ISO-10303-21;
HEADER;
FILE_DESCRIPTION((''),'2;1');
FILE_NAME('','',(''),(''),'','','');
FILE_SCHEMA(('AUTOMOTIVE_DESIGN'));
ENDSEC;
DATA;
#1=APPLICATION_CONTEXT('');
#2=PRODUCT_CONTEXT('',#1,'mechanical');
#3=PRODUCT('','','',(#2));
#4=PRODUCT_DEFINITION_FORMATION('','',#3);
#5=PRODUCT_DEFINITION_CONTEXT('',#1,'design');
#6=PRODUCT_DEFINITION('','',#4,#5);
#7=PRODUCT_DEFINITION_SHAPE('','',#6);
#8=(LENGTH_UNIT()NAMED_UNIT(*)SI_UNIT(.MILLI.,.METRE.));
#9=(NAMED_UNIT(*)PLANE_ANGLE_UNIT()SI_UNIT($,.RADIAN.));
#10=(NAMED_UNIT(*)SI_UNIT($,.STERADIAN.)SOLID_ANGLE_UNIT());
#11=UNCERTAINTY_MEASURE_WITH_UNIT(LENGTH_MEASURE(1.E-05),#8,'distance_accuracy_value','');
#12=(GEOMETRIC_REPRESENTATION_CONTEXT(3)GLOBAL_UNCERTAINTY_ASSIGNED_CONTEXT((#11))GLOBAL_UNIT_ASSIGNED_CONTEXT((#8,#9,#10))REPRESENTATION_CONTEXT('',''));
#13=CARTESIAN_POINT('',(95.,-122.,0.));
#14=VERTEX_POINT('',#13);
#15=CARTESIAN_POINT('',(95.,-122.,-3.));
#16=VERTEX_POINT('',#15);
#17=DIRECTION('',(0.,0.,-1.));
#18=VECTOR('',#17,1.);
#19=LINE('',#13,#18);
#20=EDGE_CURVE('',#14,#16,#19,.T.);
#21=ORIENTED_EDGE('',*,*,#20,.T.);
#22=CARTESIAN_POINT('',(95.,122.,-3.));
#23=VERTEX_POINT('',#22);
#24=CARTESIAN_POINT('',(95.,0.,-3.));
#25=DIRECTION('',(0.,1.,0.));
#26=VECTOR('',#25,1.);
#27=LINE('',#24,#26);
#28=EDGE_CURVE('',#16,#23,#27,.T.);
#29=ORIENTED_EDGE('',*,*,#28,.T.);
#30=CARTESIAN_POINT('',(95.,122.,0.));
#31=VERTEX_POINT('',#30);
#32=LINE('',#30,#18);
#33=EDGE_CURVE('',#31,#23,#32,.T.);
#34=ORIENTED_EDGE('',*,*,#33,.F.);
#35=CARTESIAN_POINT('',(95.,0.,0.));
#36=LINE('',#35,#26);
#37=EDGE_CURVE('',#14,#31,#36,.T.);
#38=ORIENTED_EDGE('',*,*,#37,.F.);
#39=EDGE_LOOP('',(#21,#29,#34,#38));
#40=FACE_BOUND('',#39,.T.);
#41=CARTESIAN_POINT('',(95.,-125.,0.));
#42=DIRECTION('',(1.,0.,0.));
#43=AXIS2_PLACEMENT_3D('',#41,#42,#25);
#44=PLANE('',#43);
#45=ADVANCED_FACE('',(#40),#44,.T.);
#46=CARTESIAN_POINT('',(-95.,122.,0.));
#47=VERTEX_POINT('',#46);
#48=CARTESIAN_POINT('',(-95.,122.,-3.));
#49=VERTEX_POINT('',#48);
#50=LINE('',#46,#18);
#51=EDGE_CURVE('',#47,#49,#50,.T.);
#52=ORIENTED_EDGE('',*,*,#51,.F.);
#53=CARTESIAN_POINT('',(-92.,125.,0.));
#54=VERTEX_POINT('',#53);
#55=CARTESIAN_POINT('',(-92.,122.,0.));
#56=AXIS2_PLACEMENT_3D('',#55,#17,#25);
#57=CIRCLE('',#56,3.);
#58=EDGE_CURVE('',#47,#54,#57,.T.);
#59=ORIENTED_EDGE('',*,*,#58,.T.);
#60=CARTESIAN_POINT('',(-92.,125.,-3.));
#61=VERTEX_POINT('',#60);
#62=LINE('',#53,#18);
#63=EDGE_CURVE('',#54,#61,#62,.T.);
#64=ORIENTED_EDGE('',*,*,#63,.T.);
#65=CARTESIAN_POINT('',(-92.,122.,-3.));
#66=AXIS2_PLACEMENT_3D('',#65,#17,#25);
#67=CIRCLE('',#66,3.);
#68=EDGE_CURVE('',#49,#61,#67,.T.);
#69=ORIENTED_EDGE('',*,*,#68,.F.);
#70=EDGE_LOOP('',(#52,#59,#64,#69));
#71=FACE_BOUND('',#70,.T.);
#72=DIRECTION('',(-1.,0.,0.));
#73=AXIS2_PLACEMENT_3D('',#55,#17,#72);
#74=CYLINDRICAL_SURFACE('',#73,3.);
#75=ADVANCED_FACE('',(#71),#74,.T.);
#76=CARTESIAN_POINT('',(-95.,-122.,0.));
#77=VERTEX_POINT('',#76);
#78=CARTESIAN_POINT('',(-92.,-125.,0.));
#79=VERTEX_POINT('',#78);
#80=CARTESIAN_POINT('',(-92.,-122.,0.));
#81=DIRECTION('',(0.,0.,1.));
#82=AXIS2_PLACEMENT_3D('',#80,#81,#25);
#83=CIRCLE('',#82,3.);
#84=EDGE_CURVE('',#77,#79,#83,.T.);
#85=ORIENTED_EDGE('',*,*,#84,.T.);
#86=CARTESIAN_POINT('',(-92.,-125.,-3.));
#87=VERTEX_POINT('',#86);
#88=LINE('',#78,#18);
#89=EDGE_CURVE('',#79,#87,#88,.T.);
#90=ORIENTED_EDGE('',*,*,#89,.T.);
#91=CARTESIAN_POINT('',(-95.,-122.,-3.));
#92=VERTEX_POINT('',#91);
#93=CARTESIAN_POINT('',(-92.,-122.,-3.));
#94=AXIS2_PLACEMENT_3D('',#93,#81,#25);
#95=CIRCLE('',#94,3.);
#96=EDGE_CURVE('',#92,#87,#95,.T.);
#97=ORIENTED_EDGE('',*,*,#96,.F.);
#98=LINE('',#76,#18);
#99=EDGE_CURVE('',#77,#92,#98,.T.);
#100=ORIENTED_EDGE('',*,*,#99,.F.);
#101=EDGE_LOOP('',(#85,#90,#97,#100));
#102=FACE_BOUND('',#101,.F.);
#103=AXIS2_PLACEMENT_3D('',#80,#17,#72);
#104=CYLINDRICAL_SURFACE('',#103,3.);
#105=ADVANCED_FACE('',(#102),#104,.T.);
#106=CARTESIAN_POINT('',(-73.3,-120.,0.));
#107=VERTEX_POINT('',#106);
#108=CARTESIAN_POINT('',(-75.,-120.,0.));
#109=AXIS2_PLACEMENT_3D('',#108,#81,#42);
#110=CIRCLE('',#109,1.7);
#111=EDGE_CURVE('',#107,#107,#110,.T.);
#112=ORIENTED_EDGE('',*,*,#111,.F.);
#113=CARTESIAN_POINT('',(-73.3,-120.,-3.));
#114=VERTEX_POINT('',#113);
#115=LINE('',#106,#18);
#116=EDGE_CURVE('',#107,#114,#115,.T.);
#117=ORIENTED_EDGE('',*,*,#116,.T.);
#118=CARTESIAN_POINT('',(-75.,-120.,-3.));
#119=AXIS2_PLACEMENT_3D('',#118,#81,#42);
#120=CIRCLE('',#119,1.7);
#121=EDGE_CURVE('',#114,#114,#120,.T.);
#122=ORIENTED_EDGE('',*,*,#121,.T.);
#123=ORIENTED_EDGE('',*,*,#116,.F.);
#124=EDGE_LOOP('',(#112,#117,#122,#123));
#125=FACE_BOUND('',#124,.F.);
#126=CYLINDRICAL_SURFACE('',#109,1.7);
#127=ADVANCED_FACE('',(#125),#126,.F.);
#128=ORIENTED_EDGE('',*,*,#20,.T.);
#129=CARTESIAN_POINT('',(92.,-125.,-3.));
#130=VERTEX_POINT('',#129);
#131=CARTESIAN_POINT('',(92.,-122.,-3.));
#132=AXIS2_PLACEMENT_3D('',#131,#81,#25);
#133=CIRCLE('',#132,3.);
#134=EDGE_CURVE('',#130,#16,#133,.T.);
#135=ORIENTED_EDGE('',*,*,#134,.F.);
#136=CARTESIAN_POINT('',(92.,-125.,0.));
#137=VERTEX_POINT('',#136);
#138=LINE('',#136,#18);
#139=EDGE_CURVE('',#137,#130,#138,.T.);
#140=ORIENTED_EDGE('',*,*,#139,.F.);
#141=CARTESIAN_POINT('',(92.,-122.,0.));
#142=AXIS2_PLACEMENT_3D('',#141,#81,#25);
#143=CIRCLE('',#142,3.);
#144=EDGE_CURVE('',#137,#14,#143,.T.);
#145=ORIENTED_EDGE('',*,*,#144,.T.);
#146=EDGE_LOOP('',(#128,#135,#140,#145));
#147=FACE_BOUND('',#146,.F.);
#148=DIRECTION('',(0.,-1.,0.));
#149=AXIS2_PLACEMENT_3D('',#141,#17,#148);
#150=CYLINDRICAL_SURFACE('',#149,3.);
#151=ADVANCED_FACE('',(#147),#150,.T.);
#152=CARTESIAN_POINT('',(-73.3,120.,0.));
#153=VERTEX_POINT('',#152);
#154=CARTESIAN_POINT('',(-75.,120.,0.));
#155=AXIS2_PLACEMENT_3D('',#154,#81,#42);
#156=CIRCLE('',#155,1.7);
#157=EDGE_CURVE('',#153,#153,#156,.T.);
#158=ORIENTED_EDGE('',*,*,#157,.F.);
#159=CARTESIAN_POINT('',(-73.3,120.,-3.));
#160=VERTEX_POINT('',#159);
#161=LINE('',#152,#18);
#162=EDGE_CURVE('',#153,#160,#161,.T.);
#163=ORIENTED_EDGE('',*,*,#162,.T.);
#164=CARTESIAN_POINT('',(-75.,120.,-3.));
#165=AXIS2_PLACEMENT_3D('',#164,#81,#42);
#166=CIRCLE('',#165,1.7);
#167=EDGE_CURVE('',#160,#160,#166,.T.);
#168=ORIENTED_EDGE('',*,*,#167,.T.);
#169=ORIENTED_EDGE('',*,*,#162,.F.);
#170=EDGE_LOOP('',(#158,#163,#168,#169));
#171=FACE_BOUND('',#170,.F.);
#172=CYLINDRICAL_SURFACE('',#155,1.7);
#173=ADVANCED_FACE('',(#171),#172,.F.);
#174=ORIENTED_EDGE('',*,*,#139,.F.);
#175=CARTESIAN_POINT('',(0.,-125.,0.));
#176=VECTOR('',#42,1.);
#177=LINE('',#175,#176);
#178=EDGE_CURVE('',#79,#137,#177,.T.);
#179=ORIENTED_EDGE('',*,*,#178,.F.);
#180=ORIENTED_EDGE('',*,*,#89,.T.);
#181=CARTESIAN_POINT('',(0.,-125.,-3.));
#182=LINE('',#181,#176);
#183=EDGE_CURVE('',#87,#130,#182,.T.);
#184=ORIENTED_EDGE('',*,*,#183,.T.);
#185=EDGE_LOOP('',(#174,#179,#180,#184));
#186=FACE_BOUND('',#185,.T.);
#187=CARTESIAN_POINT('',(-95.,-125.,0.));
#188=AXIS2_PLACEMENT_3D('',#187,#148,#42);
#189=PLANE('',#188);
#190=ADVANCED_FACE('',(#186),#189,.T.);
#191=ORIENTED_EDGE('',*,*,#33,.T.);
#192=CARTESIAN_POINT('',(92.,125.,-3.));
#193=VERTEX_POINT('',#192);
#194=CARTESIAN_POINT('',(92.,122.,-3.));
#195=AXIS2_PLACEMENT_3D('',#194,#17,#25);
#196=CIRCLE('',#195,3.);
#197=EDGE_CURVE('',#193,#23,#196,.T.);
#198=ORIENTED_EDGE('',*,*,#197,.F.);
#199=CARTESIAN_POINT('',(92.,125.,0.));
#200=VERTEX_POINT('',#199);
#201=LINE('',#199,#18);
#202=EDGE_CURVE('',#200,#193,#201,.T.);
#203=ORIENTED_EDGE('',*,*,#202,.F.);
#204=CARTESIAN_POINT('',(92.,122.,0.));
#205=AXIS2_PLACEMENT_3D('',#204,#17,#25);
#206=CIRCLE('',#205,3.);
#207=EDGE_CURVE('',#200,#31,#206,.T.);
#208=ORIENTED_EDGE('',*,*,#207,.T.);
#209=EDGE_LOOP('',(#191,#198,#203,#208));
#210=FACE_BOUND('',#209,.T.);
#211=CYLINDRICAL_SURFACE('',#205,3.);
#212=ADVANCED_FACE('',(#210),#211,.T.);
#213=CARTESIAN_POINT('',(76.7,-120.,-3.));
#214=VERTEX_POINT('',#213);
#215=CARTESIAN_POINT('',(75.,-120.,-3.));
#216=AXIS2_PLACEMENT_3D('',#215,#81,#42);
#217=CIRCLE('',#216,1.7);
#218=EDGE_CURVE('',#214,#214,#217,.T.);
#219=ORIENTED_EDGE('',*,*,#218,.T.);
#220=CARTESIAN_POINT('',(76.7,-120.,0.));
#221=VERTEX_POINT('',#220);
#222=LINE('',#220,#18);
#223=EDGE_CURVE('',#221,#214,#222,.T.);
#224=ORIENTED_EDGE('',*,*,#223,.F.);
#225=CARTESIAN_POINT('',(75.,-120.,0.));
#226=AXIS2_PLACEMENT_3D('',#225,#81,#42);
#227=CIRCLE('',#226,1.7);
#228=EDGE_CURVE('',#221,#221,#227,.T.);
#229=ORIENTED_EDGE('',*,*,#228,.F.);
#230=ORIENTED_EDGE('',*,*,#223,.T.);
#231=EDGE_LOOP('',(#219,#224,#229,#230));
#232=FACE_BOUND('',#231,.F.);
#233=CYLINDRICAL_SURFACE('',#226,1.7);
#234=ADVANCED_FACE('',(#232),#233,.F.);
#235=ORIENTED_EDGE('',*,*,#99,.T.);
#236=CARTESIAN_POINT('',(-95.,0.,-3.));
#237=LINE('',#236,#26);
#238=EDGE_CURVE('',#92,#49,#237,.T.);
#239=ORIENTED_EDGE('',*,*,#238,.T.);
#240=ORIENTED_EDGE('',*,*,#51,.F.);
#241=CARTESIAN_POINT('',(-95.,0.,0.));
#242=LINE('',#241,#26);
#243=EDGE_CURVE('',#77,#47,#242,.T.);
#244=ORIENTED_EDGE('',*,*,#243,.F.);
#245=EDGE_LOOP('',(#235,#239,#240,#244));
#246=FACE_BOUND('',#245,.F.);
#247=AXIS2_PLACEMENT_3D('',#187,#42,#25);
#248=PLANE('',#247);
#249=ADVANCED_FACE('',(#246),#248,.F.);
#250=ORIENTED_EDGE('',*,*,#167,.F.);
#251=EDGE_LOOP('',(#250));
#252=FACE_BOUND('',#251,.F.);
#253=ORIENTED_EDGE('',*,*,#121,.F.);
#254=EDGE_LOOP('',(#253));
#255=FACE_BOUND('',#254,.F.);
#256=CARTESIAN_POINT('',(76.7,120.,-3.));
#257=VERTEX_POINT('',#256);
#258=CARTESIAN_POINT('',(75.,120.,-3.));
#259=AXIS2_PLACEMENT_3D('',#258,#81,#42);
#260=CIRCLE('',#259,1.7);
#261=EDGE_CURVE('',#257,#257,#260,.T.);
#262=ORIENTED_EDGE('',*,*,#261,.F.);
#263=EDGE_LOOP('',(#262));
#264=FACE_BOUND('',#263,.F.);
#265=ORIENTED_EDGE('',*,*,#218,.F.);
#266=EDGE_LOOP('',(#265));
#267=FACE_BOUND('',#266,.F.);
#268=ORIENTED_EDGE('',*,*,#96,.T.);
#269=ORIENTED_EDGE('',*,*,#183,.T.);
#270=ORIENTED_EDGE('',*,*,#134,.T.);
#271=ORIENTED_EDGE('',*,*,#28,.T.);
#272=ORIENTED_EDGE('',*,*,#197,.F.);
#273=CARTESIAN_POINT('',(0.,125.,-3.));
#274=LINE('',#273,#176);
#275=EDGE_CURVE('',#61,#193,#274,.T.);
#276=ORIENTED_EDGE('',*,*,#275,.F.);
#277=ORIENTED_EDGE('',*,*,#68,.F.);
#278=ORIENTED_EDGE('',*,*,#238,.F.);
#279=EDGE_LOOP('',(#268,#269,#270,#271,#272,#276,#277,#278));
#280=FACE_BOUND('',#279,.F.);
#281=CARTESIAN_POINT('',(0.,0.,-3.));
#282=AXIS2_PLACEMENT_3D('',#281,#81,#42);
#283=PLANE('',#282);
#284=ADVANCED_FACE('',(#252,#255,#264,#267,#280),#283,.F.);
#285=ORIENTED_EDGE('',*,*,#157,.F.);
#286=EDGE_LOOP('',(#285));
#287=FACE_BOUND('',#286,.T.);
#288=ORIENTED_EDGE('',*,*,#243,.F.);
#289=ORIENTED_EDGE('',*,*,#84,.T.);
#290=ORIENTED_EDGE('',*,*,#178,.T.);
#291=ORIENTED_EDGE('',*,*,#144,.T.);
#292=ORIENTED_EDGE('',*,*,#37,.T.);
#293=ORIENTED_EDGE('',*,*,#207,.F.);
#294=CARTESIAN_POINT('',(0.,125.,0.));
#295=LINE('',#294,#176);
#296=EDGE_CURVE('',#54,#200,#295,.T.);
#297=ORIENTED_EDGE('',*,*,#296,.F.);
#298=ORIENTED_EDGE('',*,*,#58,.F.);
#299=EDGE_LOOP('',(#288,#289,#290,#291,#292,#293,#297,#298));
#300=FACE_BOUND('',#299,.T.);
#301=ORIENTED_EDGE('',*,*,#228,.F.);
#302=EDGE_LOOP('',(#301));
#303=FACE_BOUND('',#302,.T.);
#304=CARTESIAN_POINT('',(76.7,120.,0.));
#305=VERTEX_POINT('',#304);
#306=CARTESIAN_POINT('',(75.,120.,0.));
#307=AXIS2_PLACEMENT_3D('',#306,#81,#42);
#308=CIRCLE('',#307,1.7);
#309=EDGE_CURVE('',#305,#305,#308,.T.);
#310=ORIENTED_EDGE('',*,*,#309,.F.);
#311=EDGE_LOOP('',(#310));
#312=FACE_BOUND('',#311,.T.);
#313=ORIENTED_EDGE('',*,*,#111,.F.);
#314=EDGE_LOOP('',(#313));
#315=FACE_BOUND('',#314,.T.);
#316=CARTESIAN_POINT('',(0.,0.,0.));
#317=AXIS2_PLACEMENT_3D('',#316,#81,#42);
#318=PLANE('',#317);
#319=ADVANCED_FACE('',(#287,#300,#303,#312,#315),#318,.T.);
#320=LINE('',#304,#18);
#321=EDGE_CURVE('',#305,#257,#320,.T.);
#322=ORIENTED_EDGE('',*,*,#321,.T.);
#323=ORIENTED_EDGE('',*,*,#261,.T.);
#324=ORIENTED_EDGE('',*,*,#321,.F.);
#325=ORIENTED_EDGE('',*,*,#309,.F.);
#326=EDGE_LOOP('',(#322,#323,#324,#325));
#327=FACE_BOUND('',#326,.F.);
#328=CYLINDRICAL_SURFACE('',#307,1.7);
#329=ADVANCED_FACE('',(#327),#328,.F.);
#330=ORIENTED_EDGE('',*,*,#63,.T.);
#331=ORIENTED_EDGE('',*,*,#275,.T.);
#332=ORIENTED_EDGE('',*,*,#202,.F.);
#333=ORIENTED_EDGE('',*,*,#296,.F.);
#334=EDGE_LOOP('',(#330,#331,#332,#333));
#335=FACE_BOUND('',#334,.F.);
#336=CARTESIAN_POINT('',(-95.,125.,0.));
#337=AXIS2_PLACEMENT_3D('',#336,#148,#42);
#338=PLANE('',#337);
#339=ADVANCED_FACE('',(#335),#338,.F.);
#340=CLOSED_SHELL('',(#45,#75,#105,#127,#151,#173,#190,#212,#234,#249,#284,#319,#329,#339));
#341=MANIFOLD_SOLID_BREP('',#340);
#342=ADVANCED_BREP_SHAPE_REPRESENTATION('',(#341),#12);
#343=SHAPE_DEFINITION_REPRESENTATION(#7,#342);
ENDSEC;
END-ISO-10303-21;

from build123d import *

# Parameters (mm, degrees)
F0_W     = 190
F0_H     = 250
F0_R     = 1.7
F1_DEPTH = 3
F2_R     = 3


with BuildPart() as f1:
    # F0 (on Top) → F1 (new body)
    with BuildSketch(Plane.XY):
        Rectangle(F0_W, F0_H)
        with Locations((-75, -120)):
            Circle(F0_R, mode=Mode.SUBTRACT)
        with Locations((75, -120)):
            Circle(F0_R, mode=Mode.SUBTRACT)
        with Locations((-75, 120)):
            Circle(F0_R, mode=Mode.SUBTRACT)
        with Locations((75, 120)):
            Circle(F0_R, mode=Mode.SUBTRACT)
    extrude(amount=-F1_DEPTH)

    # F2
    f2_edges = [f1.edges().sort_by_distance(p)[0] for p in [
        (95, 125, -1.5),
        (-95, 125, -1.5),
        (95, -125, -1.5),
        (-95, -125, -1.5),
    ]]
    fillet(f2_edges, radius=F2_R)


solid = f1.part
